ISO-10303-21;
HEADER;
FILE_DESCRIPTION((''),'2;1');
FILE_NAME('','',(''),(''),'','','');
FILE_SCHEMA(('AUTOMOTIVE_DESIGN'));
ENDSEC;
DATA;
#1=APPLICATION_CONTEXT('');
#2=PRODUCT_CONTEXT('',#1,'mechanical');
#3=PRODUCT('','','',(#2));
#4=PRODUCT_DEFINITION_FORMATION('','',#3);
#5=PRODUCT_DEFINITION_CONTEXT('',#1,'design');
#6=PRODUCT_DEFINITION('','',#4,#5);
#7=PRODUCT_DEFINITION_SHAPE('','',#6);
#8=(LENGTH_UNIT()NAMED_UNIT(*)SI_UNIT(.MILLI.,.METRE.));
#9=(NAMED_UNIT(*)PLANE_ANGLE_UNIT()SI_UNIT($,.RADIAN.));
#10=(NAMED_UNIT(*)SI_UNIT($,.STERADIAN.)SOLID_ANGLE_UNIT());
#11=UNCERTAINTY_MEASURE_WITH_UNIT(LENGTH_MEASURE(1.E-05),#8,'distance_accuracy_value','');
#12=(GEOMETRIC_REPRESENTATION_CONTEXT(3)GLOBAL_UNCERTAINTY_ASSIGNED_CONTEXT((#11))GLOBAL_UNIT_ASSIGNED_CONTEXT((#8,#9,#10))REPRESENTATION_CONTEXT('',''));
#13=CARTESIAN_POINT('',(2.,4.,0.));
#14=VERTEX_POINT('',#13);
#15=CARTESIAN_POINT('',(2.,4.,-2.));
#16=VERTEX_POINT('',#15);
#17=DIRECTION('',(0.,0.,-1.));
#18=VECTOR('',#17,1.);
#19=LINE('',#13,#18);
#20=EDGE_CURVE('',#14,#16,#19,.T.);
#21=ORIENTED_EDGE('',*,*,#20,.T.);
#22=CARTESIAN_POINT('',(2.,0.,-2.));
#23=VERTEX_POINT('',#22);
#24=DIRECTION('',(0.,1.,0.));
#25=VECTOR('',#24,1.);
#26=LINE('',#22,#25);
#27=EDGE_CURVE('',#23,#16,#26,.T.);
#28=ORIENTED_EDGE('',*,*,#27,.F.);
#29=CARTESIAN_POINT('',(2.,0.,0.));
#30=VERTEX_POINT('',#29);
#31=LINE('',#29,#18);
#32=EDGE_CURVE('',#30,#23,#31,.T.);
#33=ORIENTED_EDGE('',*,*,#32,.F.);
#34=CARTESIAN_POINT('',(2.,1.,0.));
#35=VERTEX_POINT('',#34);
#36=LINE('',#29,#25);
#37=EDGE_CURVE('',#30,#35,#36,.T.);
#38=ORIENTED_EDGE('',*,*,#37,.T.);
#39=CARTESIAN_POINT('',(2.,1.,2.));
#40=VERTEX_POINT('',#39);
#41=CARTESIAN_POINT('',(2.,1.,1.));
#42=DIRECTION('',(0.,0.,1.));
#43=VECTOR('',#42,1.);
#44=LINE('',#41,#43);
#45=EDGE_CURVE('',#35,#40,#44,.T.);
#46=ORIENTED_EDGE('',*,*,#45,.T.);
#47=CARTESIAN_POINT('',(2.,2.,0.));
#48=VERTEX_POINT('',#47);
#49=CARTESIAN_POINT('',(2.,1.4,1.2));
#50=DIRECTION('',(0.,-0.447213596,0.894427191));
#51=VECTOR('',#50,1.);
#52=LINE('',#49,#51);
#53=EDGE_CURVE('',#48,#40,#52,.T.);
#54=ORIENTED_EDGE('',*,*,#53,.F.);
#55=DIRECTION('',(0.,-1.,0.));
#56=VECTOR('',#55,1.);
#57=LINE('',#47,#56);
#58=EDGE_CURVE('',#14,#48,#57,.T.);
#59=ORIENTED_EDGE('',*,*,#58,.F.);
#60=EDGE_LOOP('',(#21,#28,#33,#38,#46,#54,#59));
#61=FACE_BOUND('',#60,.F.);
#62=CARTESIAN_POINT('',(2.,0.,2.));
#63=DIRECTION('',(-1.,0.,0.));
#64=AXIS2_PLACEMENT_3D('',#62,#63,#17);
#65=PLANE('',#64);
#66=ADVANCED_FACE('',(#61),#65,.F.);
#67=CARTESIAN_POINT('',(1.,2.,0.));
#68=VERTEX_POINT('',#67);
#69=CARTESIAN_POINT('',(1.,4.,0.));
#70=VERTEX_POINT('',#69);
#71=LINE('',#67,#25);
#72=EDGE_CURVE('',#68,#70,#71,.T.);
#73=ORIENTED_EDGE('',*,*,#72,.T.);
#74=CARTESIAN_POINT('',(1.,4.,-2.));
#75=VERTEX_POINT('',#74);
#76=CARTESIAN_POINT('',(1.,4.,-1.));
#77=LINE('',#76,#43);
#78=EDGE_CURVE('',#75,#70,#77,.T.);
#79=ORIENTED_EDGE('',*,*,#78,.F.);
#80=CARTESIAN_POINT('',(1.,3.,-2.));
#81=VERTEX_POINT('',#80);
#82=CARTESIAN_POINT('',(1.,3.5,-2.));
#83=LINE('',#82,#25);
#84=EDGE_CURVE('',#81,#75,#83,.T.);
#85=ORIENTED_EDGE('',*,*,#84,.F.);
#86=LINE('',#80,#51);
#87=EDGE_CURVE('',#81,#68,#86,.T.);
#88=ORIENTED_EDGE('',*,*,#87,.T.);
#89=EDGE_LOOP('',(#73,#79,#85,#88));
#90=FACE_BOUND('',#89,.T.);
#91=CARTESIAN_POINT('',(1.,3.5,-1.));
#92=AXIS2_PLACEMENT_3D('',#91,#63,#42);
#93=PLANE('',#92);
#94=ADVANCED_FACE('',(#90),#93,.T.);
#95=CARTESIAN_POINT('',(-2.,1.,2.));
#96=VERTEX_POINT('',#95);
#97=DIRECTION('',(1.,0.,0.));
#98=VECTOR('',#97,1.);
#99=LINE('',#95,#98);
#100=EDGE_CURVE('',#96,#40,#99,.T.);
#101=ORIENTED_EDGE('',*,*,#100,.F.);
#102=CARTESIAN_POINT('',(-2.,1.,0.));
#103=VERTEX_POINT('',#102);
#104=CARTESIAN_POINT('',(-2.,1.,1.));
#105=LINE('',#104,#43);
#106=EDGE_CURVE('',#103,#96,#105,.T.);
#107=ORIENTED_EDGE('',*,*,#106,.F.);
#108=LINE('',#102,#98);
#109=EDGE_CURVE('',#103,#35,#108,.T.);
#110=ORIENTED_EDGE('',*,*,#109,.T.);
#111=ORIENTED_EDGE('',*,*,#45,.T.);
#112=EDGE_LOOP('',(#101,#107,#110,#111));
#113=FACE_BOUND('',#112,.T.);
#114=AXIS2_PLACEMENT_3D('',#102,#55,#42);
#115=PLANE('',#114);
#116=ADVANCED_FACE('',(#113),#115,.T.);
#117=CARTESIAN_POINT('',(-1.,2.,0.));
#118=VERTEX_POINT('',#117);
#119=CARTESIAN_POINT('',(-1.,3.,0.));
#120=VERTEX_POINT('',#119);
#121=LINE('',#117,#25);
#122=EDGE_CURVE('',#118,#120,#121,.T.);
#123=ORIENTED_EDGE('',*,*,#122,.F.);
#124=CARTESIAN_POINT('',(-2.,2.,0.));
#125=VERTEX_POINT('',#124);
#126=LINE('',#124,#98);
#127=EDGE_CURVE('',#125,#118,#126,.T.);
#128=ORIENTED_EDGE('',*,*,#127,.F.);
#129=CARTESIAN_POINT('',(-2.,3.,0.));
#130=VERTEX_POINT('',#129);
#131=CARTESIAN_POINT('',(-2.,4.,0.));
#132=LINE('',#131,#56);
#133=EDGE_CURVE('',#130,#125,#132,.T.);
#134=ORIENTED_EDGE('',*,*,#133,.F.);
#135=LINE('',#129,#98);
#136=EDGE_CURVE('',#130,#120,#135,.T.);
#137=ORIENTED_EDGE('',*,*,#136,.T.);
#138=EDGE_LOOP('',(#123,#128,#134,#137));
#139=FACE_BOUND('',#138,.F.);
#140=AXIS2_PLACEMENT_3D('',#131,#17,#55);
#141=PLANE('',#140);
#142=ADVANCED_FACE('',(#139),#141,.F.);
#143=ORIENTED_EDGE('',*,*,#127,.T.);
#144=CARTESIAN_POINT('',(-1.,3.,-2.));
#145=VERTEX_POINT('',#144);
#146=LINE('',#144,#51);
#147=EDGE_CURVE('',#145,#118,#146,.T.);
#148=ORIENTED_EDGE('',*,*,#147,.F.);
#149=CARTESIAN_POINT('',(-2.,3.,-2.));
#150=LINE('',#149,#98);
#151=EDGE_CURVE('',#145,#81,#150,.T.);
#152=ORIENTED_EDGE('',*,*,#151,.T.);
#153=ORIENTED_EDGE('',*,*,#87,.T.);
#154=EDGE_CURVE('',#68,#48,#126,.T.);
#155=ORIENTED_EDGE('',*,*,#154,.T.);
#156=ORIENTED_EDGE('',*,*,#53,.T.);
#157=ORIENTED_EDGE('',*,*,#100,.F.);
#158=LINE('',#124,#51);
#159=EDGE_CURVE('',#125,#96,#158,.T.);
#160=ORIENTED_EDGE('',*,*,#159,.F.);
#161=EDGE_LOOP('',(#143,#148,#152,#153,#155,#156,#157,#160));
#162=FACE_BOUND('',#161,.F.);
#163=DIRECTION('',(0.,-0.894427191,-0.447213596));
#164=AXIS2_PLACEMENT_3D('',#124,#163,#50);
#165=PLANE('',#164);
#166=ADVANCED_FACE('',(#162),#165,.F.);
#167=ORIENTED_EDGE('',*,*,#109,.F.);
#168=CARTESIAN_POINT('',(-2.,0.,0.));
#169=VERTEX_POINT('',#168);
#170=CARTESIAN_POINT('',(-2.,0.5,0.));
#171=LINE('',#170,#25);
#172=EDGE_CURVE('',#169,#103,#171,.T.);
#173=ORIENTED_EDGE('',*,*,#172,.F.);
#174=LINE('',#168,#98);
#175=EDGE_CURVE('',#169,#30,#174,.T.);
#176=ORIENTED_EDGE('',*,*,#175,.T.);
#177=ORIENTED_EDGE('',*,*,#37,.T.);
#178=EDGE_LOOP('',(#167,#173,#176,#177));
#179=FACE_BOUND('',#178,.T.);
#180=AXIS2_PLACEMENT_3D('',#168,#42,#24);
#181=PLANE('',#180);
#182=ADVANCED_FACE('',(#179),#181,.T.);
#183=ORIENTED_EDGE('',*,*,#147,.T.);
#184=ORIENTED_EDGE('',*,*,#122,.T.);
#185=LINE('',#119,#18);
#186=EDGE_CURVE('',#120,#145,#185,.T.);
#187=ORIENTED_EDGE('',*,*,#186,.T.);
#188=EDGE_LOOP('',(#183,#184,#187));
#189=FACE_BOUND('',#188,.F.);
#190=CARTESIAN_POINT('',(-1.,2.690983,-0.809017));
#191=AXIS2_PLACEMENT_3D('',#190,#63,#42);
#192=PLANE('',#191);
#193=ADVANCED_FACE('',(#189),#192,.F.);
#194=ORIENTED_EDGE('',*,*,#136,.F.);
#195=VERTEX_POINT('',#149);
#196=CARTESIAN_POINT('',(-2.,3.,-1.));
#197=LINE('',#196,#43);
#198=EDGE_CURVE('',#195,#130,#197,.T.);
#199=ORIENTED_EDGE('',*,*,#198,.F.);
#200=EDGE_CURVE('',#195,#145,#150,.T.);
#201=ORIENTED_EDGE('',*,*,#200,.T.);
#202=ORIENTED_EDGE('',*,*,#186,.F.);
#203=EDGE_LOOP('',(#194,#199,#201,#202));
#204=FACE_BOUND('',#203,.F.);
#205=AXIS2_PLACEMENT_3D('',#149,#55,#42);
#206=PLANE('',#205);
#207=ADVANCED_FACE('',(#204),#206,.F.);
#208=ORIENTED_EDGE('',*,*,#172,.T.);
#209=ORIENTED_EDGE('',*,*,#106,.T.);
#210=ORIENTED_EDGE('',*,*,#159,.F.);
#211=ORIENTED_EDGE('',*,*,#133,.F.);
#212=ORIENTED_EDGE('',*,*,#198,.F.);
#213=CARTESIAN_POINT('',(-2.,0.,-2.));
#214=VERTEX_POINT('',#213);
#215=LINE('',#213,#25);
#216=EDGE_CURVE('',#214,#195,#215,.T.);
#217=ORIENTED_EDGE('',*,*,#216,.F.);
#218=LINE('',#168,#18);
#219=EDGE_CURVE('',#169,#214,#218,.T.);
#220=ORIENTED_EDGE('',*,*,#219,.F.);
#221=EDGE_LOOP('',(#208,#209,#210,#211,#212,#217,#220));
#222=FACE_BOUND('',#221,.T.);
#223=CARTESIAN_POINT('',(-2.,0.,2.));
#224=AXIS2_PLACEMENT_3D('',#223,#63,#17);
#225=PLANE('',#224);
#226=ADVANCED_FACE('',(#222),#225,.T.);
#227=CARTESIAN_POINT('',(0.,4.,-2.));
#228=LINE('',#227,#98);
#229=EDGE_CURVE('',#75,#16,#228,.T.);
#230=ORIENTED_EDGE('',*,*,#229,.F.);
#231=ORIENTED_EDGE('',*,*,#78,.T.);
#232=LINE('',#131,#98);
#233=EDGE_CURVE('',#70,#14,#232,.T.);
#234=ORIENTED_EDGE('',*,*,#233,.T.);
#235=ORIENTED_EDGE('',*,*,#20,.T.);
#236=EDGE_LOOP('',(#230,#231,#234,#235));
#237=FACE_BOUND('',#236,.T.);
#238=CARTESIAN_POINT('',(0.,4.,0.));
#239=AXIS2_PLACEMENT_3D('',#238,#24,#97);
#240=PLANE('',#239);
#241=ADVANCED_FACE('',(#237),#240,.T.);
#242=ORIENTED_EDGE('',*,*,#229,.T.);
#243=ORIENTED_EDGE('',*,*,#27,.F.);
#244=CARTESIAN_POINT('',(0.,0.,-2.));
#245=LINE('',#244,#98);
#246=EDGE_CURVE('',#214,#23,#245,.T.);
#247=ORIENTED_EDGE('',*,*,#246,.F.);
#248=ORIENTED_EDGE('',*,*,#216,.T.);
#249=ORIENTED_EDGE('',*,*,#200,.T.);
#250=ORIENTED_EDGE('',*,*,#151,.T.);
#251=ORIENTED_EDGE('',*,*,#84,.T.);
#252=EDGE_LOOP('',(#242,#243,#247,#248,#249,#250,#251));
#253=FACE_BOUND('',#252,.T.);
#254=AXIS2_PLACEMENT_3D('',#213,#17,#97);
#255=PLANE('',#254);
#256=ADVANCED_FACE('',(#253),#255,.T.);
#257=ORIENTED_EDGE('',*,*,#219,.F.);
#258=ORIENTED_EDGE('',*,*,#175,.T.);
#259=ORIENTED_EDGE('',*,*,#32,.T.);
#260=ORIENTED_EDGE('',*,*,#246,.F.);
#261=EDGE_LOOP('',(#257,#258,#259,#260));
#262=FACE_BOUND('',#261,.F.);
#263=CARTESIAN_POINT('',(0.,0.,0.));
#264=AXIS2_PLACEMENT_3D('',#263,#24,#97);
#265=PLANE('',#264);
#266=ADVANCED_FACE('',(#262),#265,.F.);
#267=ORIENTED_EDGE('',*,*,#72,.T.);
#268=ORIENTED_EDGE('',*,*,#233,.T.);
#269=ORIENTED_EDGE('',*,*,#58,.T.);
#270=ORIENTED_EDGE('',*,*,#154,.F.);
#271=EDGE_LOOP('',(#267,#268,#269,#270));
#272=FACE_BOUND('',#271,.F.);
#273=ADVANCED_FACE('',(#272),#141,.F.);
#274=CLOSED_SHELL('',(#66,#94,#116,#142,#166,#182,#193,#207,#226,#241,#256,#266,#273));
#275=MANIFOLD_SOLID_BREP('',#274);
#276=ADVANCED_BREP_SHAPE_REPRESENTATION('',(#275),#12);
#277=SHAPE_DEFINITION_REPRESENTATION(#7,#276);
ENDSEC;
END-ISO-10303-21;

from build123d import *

# Parameters (mm, degrees)
SKETCH2_W           = 4
SKETCH2_H           = 4
BOSS_EXTRUDE1_DEPTH = 4
SKETCH3_W           = 2
SKETCH3_H           = 1
CUT_EXTRUDE1_DEPTH  = 14
SKETCH4_W           = 2
SKETCH4_H           = 1
CUT_EXTRUDE2_DEPTH  = 3
CUT_EXTRUDE3_DEPTH  = 2


with BuildPart() as part:
    # Sketch2 → Boss-Extrude1 (new body)
    with BuildSketch(Plane(origin=(0, 0, 0), x_dir=(1, 0, 0), z_dir=(0, 1, 0))):
        Rectangle(SKETCH2_W, SKETCH2_H)
    extrude(amount=BOSS_EXTRUDE1_DEPTH)

    # Sketch3 → Cut-Extrude1 (cut)
    with BuildSketch(Plane.ZY.offset(2)):
        Polygon((0, 4), (0, 2), (2, 1), (2, 2), (2, 4), align=None)
        with Locations((1, 0.5)):
            Rectangle(SKETCH3_W, SKETCH3_H)
    extrude(amount=-CUT_EXTRUDE1_DEPTH, mode=Mode.SUBTRACT)

    # Sketch4 → Cut-Extrude2 (cut)
    with BuildSketch(Plane.ZY.offset(2)):
        with Locations((-1, 3.5)):
            Rectangle(SKETCH4_W, SKETCH4_H)
    extrude(amount=-CUT_EXTRUDE2_DEPTH, mode=Mode.SUBTRACT)

    # Sketch6 → Cut-Extrude3 (cut)
    with BuildSketch(Plane.ZY.offset(-1)):
        Polygon((-2, 3), (0, 2), (0, 3), align=None)
    extrude(amount=CUT_EXTRUDE3_DEPTH, mode=Mode.SUBTRACT)


solid = part.part
